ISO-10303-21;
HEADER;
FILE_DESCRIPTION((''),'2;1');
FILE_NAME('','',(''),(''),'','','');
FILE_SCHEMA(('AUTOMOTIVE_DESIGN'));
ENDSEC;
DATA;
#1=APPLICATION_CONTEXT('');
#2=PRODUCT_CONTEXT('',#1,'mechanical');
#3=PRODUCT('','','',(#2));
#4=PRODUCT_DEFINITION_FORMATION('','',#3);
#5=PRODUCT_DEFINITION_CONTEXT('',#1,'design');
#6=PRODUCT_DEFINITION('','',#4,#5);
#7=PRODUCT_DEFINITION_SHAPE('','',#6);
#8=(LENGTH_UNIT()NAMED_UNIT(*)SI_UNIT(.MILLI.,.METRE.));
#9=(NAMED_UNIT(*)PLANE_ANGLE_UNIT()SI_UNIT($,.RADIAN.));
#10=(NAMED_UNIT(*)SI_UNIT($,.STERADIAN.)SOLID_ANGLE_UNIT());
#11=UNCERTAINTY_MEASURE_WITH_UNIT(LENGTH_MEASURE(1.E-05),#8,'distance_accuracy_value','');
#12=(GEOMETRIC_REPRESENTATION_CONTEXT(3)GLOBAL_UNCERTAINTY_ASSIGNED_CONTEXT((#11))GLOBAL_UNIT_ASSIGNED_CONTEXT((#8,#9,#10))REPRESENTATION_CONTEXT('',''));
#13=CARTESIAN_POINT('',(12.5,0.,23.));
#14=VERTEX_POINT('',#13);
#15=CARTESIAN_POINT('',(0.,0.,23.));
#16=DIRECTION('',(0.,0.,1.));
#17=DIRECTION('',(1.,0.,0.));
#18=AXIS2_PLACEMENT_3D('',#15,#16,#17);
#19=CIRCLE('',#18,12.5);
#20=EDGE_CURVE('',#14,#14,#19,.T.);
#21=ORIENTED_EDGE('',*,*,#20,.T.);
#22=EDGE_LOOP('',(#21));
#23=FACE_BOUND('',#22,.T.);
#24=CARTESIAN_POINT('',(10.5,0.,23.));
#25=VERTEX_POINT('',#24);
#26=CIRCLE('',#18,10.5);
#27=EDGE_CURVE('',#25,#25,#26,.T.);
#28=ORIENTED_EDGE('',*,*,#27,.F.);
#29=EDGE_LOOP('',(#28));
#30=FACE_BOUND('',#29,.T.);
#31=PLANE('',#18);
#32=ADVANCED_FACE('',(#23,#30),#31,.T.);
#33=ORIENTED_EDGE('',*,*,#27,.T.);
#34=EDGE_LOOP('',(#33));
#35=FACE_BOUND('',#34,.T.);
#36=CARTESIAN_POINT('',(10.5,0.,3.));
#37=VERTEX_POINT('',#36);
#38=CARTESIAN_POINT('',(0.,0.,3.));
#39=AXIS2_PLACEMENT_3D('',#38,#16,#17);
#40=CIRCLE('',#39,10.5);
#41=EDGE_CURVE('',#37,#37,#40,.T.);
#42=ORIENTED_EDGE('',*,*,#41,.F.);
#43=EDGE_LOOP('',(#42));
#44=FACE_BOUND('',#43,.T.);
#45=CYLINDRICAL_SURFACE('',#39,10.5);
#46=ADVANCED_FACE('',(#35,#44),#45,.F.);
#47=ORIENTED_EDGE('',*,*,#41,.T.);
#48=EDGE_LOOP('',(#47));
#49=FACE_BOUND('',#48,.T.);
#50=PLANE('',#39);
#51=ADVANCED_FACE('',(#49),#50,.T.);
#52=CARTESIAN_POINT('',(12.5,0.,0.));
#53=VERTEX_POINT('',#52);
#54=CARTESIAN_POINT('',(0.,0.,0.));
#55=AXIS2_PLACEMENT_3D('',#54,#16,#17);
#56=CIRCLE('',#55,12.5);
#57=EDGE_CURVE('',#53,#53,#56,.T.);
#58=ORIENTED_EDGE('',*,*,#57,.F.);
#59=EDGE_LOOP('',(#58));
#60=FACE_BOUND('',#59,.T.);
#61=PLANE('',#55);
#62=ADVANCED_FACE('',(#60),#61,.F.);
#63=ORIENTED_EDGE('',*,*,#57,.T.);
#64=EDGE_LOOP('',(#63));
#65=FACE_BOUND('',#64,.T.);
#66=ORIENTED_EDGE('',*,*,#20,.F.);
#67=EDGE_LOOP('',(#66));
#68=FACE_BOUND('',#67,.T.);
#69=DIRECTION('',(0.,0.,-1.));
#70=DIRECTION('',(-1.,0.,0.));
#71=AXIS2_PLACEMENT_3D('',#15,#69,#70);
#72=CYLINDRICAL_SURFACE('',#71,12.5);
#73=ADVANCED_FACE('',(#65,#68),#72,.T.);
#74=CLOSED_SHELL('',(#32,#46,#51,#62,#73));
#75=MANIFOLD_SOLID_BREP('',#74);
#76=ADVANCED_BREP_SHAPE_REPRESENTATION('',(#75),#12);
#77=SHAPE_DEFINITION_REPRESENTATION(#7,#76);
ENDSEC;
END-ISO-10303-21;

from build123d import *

# Parameters (mm, degrees)
SKETCH1_R           = 12.5
BOSS_EXTRUDE2_DEPTH = 23
SKETCH3_R           = 10.5
CUT_EXTRUDE1_DEPTH  = 20


with BuildPart() as part:
    # Sketch1 → Boss-Extrude2 (new body)
    with BuildSketch(Plane.XY):
        Circle(SKETCH1_R)
    extrude(amount=BOSS_EXTRUDE2_DEPTH)

    # Sketch3 → Cut-Extrude1 (cut)
    with BuildSketch(Plane.XY.offset(23)):
        Circle(SKETCH3_R)
    extrude(amount=-CUT_EXTRUDE1_DEPTH, mode=Mode.SUBTRACT)


solid = part.part
